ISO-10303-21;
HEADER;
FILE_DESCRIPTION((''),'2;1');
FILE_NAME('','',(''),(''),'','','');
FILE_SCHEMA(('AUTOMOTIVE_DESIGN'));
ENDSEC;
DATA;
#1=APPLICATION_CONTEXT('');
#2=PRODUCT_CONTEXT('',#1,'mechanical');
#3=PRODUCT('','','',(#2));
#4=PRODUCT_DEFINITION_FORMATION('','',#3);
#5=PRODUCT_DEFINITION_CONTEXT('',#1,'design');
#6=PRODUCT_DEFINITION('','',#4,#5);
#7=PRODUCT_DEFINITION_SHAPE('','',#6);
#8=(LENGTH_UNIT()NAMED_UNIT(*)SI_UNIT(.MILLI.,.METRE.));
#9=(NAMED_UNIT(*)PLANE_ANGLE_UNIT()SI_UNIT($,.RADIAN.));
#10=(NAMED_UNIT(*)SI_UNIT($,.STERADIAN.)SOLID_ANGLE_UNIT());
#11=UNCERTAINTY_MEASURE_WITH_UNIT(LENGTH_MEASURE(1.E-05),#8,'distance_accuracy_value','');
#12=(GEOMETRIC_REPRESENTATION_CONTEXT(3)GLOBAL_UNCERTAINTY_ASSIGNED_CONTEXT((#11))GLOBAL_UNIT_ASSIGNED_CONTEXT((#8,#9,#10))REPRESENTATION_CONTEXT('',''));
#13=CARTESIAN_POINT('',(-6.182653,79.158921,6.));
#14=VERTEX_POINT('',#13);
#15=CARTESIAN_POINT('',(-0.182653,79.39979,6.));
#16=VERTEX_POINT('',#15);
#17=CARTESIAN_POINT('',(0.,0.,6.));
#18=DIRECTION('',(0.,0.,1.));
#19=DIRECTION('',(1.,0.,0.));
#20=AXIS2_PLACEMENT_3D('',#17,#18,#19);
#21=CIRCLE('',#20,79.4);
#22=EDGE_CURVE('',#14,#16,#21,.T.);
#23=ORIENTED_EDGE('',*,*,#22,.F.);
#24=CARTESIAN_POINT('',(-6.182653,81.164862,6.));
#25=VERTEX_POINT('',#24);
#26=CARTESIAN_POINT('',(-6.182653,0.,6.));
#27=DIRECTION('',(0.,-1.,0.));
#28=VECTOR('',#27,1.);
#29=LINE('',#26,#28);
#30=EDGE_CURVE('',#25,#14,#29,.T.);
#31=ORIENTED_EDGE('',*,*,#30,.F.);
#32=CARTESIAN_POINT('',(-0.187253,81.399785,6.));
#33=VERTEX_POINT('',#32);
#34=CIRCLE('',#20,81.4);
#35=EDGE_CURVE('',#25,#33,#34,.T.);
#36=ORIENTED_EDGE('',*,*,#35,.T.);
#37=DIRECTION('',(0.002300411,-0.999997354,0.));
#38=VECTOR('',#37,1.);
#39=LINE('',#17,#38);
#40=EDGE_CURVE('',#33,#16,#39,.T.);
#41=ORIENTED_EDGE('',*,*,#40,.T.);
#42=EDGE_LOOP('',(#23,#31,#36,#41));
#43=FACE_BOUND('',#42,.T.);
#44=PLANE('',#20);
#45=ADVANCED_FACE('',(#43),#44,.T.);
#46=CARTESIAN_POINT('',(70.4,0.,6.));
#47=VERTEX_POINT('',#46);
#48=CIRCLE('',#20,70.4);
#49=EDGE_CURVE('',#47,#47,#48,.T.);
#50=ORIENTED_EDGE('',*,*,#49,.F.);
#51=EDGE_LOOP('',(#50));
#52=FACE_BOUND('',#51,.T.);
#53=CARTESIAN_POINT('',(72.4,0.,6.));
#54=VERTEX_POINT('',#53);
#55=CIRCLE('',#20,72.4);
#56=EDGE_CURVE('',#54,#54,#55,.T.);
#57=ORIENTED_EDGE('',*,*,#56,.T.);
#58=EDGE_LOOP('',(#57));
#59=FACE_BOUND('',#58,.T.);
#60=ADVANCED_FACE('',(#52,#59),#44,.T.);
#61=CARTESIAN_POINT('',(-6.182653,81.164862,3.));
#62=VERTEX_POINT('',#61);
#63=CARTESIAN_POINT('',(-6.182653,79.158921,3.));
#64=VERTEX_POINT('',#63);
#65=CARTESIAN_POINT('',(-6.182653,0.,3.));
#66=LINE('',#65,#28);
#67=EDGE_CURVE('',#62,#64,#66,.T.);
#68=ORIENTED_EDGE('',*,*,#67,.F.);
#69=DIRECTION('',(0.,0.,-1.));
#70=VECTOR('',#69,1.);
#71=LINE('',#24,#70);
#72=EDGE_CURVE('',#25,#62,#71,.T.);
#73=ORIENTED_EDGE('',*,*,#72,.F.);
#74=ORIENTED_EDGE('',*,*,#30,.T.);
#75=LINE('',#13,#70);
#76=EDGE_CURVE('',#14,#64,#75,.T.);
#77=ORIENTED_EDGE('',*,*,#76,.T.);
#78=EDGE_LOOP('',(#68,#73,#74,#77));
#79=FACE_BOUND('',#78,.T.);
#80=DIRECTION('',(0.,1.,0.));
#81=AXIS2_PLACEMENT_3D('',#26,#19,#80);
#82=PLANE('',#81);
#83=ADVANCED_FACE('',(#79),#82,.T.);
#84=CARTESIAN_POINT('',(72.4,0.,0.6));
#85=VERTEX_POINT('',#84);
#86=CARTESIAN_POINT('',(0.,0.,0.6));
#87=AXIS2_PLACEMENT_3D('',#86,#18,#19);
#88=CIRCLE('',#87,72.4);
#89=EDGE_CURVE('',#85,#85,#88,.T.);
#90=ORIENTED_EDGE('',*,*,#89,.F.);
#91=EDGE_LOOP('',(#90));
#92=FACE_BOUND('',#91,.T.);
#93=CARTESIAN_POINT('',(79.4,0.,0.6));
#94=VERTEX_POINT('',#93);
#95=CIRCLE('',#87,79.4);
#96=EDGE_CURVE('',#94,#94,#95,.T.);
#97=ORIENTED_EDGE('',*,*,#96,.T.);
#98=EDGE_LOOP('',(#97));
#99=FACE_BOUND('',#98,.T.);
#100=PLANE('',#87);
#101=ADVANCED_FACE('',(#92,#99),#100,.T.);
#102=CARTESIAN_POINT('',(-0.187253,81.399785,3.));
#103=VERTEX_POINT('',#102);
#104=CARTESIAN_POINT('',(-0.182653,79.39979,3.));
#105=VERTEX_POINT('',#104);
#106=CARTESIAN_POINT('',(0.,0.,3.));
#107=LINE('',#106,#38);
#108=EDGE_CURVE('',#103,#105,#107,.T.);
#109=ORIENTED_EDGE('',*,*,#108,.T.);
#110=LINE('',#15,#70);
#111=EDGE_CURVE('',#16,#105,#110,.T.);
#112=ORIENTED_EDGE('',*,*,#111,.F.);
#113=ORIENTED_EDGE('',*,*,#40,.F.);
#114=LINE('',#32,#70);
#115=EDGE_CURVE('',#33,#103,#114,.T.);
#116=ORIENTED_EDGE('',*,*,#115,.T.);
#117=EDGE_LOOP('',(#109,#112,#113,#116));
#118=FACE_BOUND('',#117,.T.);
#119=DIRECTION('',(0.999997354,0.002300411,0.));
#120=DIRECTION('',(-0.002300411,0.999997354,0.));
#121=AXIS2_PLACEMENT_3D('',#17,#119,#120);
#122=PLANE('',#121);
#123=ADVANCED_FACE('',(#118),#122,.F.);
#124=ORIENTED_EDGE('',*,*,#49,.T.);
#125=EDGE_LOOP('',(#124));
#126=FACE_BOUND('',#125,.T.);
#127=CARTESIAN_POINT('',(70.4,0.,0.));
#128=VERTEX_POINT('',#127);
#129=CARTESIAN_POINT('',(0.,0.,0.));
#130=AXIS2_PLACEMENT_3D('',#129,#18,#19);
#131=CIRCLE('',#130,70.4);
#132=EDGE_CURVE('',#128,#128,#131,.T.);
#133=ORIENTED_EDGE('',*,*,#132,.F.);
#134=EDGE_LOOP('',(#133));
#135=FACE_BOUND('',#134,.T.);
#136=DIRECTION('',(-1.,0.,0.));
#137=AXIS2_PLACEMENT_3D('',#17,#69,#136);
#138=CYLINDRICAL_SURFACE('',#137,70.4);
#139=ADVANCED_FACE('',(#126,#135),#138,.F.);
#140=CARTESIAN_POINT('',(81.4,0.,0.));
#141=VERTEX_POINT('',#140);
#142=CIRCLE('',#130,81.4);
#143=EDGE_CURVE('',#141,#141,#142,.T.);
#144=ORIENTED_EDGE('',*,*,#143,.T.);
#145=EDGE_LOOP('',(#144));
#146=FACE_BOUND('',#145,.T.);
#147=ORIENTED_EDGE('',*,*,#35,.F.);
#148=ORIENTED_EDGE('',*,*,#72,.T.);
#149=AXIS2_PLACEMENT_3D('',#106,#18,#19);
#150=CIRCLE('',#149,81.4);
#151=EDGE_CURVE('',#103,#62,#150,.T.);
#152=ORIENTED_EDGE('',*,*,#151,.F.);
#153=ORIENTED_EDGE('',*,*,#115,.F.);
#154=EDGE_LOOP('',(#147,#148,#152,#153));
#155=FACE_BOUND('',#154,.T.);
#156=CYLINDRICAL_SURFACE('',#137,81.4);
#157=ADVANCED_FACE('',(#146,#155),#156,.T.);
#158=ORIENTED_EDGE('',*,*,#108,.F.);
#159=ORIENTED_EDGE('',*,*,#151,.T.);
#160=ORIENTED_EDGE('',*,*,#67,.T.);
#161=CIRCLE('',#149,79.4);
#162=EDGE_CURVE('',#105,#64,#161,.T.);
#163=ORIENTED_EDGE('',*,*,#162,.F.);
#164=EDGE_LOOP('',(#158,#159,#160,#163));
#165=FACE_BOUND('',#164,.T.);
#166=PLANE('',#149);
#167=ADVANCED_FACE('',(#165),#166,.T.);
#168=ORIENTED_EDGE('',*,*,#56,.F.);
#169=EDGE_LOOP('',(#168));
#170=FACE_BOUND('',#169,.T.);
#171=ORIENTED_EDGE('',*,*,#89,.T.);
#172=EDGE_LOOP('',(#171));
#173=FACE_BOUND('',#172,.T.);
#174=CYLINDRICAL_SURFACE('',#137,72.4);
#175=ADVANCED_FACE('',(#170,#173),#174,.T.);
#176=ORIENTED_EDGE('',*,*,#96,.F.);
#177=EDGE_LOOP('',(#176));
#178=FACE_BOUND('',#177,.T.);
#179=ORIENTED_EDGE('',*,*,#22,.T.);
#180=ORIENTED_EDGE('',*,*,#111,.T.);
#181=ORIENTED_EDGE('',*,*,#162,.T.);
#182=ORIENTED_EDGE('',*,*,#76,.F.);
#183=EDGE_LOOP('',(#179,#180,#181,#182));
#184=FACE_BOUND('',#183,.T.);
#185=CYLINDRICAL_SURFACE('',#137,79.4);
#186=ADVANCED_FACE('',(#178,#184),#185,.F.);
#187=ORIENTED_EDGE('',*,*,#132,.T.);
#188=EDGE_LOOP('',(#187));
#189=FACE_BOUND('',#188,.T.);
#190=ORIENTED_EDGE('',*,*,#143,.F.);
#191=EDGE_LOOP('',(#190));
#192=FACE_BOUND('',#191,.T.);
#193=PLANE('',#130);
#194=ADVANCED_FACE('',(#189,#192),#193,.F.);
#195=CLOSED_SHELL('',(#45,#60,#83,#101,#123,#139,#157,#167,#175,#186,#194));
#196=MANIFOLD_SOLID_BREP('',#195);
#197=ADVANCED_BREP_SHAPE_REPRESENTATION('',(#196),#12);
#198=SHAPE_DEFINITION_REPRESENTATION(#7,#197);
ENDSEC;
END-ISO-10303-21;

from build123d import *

# Parameters (mm, degrees)
SKETCH1_R           = 72.4
BOSS_EXTRUDE1_DEPTH = 0.6
SKETCH1_3_R         = 72.4
SKETCH1_3_R_2       = 70.4
BOSS_EXTRUDE2_DEPTH = 6
BOSS_EXTRUDE3_DEPTH = 3


with BuildPart() as part:
    # Sketch1 → Boss-Extrude1 (new body)
    with BuildSketch(Plane.XY):
        with BuildLine():
            ThreePointArc((-0.182652597, 79.399789912), (-3.184930452, 79.336096564), (-6.182652597, 79.158921208))
            ThreePointArc((-6.182652597, 79.158921208), (-53.91408621, -58.289204044), (79.4, 0))
            ThreePointArc((79.4, 0), (56.0796638, 56.208818775), (-0.182652597, 79.399789912))
        make_face()
        Circle(SKETCH1_R, mode=Mode.SUBTRACT)
    extrude(amount=BOSS_EXTRUDE1_DEPTH)

    # Sketch1<3> → Boss-Extrude2 (add)
    # profile 1 of 2: a face of its own
    with BuildSketch(Plane.XY):
        with BuildLine():
            Line((-6.182652597, 79.158921208), (-6.182652597, 81.164861898))
            ThreePointArc((-6.182652597, 81.164861898), (3.187118264, -81.337582194), (-0.187253418, 81.39978462))
            Line((-0.187253418, 81.39978462), (-0.182652597, 79.399789912))
            ThreePointArc((-0.182652597, 79.399789912), (3.184930452, -79.336096564), (-6.182652597, 79.158921208))
        make_face()
    # profile 2 of 2: a face of its own
    with BuildSketch(Plane.XY):
        Circle(SKETCH1_3_R)
        Circle(SKETCH1_3_R_2, mode=Mode.SUBTRACT)
    extrude(amount=BOSS_EXTRUDE2_DEPTH)

    # Sketch1<4> → Boss-Extrude3 (add)
    with BuildSketch(Plane.XY):
        with BuildLine():
            ThreePointArc((-0.187253418, 81.39978462), (-3.187118264, 81.337582194), (-6.182652597, 81.164861898))
            Line((-6.182652597, 81.164861898), (-6.182652597, 79.158921208))
            ThreePointArc((-6.182652597, 79.158921208), (-3.184930452, 79.336096564), (-0.182652597, 79.399789912))
            Line((-0.182652597, 79.399789912), (-0.187253418, 81.39978462))
        make_face()
    extrude(amount=BOSS_EXTRUDE3_DEPTH)


solid = part.part
